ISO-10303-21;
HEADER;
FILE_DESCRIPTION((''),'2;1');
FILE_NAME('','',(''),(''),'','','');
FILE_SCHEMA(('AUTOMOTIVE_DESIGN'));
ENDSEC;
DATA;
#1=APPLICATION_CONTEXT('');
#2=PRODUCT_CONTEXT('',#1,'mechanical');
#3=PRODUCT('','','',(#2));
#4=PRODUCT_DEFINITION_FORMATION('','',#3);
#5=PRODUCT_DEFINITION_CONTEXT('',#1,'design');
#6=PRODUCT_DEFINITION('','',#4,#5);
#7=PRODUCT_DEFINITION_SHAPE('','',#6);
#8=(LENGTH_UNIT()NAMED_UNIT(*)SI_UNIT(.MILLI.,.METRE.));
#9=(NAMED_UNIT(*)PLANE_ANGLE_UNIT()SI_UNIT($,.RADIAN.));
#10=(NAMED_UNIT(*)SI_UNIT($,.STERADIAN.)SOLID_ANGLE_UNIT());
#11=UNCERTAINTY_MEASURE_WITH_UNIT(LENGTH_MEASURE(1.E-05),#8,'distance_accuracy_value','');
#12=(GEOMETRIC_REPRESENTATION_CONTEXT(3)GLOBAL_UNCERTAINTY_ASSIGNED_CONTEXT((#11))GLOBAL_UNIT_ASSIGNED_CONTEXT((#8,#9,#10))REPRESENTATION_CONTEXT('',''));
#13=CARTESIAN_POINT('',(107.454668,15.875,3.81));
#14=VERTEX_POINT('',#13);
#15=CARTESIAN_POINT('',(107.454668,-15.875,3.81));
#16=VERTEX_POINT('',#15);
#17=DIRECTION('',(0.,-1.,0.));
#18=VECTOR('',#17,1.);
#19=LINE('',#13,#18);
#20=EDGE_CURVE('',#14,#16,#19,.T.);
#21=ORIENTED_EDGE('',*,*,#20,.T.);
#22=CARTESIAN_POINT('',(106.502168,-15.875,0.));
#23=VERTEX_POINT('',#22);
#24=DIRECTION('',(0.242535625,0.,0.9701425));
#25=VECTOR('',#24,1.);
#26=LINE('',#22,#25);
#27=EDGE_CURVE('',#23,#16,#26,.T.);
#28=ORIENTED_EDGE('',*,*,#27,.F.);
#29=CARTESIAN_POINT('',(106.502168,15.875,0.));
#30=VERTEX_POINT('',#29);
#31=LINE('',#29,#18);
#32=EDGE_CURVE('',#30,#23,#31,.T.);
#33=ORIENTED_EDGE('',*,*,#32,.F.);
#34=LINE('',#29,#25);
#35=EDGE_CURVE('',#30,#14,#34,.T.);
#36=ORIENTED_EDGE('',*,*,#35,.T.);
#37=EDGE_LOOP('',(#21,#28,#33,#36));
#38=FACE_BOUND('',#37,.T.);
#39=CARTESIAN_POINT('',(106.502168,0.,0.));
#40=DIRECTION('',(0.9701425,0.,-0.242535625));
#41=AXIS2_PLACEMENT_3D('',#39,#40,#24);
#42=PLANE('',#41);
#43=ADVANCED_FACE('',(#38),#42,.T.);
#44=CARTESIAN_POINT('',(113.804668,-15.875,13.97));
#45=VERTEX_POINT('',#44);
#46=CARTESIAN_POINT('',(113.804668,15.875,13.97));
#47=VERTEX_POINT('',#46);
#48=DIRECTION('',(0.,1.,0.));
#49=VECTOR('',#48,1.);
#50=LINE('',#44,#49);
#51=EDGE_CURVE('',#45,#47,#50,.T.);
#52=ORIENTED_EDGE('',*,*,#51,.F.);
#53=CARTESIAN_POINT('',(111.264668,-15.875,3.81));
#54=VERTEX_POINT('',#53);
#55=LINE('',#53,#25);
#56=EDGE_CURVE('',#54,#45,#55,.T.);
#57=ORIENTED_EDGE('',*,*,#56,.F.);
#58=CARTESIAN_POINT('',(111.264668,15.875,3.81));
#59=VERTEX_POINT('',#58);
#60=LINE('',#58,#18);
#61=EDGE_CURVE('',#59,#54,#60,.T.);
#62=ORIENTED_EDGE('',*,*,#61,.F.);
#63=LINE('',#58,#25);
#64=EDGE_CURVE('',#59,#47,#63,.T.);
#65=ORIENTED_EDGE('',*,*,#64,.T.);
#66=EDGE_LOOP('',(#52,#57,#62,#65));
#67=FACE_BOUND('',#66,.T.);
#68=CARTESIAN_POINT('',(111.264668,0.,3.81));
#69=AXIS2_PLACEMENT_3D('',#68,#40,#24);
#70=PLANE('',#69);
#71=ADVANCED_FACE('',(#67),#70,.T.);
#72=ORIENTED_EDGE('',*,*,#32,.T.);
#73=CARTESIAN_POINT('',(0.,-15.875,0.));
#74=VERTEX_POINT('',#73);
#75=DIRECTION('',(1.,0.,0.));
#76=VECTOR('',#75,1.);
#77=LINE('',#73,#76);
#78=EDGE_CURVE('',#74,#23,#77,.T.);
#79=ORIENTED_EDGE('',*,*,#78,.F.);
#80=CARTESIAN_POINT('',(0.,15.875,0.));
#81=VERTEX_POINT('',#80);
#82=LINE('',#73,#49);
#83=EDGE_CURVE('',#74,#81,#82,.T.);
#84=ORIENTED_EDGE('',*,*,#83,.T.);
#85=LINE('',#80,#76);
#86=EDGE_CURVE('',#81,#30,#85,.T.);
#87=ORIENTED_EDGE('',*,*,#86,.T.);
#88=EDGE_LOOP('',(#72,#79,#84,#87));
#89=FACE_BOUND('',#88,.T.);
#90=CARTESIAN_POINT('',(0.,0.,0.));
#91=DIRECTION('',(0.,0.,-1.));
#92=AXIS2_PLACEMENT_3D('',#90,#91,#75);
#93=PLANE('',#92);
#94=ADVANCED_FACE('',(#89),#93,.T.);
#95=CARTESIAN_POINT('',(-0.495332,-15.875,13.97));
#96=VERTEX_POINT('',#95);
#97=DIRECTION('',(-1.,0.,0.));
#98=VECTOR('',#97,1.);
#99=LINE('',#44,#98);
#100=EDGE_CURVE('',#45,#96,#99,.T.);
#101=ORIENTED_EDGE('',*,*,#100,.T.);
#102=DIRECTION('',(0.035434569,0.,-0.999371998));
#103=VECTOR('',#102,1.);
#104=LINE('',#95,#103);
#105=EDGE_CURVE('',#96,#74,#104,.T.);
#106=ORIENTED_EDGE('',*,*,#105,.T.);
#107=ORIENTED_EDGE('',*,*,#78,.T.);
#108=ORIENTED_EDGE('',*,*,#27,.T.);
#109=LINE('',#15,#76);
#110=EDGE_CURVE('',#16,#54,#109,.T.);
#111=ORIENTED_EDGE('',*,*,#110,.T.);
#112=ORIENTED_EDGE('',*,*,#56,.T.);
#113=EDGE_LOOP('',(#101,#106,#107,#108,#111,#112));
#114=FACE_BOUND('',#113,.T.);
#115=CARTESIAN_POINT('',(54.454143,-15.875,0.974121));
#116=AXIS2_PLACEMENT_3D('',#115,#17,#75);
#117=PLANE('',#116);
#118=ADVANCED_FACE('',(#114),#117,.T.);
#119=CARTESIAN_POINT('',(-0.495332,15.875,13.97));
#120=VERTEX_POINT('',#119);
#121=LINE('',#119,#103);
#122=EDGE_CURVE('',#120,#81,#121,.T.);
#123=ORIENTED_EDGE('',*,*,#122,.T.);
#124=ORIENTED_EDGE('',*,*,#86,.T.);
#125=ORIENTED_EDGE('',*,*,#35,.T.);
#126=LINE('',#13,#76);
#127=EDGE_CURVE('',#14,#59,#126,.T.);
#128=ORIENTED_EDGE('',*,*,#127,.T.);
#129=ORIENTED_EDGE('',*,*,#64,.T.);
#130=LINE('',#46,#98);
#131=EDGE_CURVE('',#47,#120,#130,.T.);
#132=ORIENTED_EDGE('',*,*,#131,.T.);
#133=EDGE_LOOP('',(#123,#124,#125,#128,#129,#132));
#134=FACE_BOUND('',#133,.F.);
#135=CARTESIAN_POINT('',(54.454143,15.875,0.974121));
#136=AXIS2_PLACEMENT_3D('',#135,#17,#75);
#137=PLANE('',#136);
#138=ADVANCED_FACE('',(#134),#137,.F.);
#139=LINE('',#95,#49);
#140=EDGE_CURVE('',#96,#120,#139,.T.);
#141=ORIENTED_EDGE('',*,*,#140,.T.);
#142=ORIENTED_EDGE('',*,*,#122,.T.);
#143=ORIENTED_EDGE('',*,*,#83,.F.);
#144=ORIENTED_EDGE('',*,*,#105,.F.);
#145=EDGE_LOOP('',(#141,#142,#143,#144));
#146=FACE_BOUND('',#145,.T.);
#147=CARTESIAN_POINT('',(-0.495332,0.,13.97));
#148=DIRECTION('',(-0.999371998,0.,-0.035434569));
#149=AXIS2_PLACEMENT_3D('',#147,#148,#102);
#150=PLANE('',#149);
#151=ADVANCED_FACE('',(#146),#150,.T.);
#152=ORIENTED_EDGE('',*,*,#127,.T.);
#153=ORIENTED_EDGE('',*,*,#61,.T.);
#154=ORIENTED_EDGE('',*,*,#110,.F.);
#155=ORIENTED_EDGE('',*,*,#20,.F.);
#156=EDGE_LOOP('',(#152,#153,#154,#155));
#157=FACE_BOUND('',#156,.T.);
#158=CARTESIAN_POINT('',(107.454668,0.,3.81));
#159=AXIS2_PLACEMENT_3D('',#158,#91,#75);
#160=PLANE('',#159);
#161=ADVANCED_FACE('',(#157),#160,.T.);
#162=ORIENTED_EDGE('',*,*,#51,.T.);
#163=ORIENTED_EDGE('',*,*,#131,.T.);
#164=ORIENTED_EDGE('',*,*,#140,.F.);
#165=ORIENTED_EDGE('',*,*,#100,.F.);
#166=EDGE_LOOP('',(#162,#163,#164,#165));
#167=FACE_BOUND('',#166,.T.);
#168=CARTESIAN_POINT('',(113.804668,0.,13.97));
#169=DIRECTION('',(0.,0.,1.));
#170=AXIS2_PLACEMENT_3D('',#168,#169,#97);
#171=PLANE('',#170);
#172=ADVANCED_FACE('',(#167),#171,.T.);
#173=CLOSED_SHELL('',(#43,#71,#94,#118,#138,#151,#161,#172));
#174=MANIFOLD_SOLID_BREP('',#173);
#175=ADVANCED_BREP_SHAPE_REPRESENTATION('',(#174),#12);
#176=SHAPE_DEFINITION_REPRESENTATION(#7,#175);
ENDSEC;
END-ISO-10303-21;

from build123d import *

# Parameters (mm, degrees)
F1_DEPTH = 15.875


with BuildPart() as f1:
    # F0 (on Front) → F1 (new body, symmetric)
    with BuildSketch(Plane.XZ):
        Polygon((107.454668, 3.81), (0, 0), (106.502168, 0), align=None)
        Polygon((-0.495332, 13.97), (0, 0), (107.454668, 3.81), (111.264668, 3.81), (113.804668, 13.97), align=None)
    extrude(amount=F1_DEPTH, both=True)


solid = f1.part
